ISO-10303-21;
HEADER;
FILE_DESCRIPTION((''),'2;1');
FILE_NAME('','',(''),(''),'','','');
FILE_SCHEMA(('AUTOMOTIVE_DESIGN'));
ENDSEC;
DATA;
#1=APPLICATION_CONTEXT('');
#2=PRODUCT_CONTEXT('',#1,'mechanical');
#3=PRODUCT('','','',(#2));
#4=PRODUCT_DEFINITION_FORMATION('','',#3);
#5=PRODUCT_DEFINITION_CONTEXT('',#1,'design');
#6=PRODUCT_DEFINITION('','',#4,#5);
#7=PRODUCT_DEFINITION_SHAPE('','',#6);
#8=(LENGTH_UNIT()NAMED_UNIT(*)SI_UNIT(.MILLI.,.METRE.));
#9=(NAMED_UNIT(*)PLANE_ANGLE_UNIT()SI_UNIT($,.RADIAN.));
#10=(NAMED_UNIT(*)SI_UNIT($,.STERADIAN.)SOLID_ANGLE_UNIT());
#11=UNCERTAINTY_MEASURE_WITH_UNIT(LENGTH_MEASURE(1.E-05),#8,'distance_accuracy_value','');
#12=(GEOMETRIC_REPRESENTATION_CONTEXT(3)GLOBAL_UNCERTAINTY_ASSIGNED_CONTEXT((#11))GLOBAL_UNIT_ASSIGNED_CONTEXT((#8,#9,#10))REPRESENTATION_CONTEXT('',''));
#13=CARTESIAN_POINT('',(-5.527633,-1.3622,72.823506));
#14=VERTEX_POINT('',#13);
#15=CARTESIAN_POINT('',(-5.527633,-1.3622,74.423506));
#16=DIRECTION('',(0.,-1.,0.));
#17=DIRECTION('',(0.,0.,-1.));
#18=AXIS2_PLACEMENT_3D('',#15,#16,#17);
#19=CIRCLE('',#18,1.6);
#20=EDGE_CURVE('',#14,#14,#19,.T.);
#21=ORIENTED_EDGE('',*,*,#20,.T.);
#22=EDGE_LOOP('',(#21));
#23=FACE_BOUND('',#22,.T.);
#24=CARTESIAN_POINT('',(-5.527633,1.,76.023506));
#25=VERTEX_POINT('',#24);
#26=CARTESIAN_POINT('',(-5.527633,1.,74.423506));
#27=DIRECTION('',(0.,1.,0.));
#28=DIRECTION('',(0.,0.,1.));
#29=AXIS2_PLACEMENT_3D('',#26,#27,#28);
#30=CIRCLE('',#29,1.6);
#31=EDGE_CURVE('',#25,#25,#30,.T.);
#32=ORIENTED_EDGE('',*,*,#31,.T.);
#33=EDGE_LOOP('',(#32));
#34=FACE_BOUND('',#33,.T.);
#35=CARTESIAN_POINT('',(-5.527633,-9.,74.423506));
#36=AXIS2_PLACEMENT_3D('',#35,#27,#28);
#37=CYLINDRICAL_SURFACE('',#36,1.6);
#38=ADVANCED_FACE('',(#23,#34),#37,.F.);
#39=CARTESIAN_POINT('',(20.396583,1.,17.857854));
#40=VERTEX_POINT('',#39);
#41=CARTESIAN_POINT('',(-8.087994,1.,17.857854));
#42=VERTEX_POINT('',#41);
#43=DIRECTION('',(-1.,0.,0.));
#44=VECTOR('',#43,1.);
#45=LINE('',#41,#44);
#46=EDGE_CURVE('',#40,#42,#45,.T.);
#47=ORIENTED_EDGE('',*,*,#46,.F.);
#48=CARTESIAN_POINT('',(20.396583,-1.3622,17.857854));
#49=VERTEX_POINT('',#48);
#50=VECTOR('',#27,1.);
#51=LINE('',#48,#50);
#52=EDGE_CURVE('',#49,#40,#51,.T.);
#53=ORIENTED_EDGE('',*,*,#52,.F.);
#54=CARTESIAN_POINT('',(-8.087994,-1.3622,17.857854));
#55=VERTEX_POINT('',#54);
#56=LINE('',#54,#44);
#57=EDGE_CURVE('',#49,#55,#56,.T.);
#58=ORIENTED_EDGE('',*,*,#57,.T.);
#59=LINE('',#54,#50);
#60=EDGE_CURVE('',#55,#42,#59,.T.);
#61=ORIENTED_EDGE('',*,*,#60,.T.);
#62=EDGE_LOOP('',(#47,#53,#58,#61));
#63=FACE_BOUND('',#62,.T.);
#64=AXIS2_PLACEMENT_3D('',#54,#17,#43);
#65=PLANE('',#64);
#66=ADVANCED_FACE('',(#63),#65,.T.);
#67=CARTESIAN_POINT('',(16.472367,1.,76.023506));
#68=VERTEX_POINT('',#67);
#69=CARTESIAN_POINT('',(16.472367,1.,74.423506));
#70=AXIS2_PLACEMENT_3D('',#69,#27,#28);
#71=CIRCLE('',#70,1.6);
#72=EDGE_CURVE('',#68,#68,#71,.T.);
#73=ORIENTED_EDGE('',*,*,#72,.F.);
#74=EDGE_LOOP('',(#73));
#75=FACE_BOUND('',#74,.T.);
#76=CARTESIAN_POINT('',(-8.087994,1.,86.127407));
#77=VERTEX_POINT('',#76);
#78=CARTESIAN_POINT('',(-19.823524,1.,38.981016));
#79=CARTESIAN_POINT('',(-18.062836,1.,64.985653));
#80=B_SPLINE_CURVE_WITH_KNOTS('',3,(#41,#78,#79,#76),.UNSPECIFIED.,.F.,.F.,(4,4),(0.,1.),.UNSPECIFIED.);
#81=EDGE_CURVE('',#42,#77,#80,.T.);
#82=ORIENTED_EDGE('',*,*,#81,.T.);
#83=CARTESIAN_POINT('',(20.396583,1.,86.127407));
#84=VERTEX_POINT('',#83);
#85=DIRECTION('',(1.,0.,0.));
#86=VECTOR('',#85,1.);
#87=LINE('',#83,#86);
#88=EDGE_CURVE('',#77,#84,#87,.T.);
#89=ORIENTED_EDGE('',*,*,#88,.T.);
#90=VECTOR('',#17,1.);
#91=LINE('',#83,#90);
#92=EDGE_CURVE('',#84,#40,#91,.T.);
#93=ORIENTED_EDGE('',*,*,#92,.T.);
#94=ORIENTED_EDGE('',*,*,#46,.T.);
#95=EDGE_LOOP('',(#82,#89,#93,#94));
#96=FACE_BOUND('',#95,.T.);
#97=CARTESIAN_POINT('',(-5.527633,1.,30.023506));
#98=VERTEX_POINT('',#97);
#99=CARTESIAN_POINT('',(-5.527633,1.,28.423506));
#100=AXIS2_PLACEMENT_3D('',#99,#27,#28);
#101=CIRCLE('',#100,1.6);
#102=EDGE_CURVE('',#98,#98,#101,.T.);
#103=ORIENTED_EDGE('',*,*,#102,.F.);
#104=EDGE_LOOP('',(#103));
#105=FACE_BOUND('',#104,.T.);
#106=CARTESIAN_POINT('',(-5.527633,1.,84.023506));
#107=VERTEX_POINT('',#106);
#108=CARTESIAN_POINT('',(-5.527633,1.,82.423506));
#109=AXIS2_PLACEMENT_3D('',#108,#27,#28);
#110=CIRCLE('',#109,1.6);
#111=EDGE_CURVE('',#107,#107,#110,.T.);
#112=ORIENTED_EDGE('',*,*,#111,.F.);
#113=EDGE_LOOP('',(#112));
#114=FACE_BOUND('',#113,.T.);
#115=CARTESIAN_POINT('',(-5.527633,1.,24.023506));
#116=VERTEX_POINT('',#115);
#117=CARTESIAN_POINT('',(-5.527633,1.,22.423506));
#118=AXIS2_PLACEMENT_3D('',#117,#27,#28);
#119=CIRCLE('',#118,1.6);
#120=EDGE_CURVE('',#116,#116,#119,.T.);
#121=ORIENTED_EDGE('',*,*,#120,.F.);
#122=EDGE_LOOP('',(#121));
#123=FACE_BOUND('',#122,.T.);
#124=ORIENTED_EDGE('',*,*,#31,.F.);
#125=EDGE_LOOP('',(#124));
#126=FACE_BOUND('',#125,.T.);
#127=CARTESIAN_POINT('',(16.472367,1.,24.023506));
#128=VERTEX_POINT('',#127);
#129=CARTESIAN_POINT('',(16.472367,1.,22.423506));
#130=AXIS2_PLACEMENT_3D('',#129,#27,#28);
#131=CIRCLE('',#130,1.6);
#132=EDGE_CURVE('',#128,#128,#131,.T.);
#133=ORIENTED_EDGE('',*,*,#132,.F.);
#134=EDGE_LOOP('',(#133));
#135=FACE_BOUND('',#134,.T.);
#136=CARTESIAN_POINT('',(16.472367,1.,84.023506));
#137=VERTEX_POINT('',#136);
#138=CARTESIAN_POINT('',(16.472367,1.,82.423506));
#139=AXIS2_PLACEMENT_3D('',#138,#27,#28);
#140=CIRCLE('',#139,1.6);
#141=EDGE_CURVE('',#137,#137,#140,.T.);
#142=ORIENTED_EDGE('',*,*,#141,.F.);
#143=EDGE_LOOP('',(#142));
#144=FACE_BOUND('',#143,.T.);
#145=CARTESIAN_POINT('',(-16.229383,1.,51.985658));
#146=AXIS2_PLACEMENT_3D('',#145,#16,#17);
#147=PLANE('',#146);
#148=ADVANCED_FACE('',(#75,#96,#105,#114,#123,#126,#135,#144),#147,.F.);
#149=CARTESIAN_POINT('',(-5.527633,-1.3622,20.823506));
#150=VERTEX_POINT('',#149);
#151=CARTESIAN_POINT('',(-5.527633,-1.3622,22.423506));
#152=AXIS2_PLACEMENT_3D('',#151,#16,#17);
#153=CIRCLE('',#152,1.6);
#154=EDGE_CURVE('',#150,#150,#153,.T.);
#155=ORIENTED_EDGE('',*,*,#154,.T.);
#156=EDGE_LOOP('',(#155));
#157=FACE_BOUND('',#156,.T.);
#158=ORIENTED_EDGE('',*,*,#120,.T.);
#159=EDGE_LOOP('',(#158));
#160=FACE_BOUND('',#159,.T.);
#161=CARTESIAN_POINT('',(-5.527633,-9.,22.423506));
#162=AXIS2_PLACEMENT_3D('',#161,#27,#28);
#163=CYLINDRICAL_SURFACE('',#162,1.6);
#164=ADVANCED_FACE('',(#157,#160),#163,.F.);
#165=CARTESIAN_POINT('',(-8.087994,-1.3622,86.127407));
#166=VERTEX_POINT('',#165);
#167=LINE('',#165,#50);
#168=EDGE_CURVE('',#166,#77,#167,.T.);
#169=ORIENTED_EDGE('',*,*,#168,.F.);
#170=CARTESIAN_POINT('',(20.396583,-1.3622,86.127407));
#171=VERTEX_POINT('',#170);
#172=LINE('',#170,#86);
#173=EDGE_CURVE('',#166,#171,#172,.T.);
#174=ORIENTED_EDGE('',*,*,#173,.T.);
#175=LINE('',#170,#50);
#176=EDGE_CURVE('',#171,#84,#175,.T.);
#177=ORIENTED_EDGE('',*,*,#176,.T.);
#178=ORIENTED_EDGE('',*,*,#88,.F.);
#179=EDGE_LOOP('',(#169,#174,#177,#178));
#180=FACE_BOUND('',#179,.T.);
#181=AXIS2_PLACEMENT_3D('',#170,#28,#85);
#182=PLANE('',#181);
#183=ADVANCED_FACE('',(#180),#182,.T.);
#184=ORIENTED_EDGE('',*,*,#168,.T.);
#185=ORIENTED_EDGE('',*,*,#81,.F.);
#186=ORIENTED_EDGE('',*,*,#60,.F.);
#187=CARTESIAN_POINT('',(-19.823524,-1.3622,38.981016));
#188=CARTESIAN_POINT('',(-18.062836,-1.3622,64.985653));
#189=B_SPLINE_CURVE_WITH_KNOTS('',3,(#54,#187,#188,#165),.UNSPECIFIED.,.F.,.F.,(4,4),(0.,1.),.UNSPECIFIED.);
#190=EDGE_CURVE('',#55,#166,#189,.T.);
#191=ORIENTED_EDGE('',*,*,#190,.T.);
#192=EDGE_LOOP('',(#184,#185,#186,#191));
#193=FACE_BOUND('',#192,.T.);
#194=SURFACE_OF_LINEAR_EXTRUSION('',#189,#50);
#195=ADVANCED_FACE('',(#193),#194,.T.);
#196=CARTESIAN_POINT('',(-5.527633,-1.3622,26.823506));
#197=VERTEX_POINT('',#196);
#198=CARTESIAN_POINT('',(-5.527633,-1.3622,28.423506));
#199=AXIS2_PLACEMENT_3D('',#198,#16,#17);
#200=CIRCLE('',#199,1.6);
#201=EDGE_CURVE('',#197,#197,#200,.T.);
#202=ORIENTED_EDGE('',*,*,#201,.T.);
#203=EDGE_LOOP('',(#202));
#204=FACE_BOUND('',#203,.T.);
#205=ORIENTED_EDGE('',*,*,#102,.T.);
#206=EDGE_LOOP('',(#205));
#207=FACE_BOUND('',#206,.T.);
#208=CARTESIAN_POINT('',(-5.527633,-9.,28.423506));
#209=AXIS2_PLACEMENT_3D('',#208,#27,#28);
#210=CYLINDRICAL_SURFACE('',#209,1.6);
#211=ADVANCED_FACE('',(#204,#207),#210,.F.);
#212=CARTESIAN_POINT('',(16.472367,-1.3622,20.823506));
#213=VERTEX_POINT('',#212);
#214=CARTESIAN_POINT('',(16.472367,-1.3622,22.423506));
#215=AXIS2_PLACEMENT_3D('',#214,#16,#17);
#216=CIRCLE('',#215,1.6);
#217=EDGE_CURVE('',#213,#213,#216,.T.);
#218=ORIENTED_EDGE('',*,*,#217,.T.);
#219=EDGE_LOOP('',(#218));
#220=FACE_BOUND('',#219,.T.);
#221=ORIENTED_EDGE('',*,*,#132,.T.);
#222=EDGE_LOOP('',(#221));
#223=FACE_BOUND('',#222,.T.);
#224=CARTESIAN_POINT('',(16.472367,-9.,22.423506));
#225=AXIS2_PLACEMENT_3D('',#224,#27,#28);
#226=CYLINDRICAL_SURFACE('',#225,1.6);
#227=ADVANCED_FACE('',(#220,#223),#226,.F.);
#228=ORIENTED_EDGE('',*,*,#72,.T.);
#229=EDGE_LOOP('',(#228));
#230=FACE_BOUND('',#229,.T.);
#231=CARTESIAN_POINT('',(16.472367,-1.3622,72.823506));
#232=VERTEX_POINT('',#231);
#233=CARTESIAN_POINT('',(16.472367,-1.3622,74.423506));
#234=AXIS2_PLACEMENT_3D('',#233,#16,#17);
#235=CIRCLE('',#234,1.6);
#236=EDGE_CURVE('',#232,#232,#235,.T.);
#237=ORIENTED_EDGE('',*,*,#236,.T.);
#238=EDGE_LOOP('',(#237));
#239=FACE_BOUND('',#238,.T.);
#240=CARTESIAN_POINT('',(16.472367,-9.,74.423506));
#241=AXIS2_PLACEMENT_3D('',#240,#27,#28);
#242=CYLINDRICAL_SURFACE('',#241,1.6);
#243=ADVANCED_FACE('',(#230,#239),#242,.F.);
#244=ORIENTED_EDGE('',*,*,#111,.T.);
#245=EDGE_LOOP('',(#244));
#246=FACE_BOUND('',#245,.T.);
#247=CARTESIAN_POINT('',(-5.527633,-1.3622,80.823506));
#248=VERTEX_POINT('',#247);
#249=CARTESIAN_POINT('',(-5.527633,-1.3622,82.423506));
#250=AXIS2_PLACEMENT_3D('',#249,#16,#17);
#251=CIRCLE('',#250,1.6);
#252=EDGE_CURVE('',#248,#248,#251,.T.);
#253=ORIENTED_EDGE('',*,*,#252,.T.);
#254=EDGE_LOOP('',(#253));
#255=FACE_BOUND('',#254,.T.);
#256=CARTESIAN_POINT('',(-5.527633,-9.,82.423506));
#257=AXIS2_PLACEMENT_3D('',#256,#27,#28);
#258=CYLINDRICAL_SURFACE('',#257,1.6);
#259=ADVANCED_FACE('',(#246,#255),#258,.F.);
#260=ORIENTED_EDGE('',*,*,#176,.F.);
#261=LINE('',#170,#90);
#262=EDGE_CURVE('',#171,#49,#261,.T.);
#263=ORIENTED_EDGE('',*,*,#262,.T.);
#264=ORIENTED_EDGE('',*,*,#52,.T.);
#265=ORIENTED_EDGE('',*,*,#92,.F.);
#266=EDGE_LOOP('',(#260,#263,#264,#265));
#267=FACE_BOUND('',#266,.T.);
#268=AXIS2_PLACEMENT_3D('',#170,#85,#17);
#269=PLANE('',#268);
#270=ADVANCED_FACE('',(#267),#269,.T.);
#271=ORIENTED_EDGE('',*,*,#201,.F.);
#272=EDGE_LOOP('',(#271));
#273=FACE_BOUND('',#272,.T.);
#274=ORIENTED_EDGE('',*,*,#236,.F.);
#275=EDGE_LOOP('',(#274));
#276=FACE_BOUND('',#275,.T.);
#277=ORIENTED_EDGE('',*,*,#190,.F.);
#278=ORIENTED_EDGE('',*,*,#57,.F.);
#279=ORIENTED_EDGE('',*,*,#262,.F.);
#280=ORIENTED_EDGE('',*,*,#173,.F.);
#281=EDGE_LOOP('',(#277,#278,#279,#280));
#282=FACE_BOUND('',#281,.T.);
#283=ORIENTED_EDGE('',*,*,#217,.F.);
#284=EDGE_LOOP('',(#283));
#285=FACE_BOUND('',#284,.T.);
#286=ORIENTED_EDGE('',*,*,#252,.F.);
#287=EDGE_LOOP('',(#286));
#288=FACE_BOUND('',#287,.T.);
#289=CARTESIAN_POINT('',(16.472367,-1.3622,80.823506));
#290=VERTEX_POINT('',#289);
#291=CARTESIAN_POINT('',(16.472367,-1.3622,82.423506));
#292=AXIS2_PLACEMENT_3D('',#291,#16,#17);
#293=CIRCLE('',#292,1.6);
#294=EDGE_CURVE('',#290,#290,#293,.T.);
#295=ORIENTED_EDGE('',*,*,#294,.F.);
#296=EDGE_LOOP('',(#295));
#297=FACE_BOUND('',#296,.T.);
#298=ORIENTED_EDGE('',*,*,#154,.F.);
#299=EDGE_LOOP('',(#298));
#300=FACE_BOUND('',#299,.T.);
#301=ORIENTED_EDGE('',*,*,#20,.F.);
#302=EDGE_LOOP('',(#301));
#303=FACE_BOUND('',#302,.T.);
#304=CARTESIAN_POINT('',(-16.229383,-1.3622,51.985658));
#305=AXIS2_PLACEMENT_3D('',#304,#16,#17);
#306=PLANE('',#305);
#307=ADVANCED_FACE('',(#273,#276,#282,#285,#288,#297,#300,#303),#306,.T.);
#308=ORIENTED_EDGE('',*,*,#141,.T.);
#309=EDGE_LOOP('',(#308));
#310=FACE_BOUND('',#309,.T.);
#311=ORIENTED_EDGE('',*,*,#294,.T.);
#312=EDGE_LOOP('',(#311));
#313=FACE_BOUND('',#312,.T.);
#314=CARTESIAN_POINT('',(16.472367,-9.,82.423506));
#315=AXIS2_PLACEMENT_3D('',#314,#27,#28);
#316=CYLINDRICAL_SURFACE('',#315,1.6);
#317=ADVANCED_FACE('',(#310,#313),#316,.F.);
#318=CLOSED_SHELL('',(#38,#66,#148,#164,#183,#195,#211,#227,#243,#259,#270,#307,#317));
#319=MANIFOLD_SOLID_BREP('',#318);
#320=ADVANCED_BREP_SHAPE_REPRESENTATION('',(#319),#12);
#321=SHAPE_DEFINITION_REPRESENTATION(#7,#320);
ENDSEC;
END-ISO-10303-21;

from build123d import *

# Parameters (mm, degrees)
BOSS_EXTRUDE1_DEPTH      = 1
BOSS_EXTRUDE1_DEPTH_BACK = 1.3622
SKETCH15_R               = 1.6
CUT_EXTRUDE1_DEPTH       = 10


with BuildPart() as part:
    # Sketch1 → Boss-Extrude1 (new, two sides: drawn at the far end of the back side and taken through both)
    with BuildSketch(Plane(origin=(0, 0, 0), x_dir=(1, 0, 0), z_dir=(0, 1, 0)).offset(-BOSS_EXTRUDE1_DEPTH_BACK)):
        with BuildLine():
            Line((-8.087993737, -17.857854423), (20.396582526, -17.857854423))
            Line((20.396582526, -17.857854423), (20.396582526, -86.127406927))
            Line((20.396582526, -86.127406927), (-8.087993737, -86.127406927))
            add(Edge.make_bspline(
                [(-8.087993737, -17.857854423), (-19.823523703, -38.981015745), (-18.062835517, -64.98565312), (-8.087993737, -86.127406927)],
                knots=[0, 0, 0, 0, 1, 1, 1, 1], degree=3))
        make_face()
    extrude(amount=BOSS_EXTRUDE1_DEPTH + BOSS_EXTRUDE1_DEPTH_BACK)

    # Sketch15 → Cut-Extrude1 (cut)
    with BuildSketch(Plane(origin=(0, 1, 0), x_dir=(1, 0, 0), z_dir=(0, 1, 0))):
        with Locations(Location((-5.527632766, -22.423505535, 0), (0, 0, 270))):
            Circle(SKETCH15_R)
        with Locations(Location((16.472367234, -22.423505535, 0), (0, 0, 270))):
            Circle(SKETCH15_R)
        with Locations(Location((-5.527632766, -82.423505535, 0), (0, 0, 270))):
            Circle(SKETCH15_R)
        with Locations(Location((16.472367234, -82.423505535, 0), (0, 0, 270))):
            Circle(SKETCH15_R)
        with Locations(Location((-5.527632766, -74.423505535, 0), (0, 0, 270))):
            Circle(SKETCH15_R)
        with Locations(Location((16.472367234, -74.423505535, 0), (0, 0, 270))):
            Circle(SKETCH15_R)
        with Locations(Location((-5.527632766, -28.423505535, 0), (0, 0, 270))):
            Circle(SKETCH15_R)
    extrude(amount=-CUT_EXTRUDE1_DEPTH, mode=Mode.SUBTRACT)


solid = part.part
